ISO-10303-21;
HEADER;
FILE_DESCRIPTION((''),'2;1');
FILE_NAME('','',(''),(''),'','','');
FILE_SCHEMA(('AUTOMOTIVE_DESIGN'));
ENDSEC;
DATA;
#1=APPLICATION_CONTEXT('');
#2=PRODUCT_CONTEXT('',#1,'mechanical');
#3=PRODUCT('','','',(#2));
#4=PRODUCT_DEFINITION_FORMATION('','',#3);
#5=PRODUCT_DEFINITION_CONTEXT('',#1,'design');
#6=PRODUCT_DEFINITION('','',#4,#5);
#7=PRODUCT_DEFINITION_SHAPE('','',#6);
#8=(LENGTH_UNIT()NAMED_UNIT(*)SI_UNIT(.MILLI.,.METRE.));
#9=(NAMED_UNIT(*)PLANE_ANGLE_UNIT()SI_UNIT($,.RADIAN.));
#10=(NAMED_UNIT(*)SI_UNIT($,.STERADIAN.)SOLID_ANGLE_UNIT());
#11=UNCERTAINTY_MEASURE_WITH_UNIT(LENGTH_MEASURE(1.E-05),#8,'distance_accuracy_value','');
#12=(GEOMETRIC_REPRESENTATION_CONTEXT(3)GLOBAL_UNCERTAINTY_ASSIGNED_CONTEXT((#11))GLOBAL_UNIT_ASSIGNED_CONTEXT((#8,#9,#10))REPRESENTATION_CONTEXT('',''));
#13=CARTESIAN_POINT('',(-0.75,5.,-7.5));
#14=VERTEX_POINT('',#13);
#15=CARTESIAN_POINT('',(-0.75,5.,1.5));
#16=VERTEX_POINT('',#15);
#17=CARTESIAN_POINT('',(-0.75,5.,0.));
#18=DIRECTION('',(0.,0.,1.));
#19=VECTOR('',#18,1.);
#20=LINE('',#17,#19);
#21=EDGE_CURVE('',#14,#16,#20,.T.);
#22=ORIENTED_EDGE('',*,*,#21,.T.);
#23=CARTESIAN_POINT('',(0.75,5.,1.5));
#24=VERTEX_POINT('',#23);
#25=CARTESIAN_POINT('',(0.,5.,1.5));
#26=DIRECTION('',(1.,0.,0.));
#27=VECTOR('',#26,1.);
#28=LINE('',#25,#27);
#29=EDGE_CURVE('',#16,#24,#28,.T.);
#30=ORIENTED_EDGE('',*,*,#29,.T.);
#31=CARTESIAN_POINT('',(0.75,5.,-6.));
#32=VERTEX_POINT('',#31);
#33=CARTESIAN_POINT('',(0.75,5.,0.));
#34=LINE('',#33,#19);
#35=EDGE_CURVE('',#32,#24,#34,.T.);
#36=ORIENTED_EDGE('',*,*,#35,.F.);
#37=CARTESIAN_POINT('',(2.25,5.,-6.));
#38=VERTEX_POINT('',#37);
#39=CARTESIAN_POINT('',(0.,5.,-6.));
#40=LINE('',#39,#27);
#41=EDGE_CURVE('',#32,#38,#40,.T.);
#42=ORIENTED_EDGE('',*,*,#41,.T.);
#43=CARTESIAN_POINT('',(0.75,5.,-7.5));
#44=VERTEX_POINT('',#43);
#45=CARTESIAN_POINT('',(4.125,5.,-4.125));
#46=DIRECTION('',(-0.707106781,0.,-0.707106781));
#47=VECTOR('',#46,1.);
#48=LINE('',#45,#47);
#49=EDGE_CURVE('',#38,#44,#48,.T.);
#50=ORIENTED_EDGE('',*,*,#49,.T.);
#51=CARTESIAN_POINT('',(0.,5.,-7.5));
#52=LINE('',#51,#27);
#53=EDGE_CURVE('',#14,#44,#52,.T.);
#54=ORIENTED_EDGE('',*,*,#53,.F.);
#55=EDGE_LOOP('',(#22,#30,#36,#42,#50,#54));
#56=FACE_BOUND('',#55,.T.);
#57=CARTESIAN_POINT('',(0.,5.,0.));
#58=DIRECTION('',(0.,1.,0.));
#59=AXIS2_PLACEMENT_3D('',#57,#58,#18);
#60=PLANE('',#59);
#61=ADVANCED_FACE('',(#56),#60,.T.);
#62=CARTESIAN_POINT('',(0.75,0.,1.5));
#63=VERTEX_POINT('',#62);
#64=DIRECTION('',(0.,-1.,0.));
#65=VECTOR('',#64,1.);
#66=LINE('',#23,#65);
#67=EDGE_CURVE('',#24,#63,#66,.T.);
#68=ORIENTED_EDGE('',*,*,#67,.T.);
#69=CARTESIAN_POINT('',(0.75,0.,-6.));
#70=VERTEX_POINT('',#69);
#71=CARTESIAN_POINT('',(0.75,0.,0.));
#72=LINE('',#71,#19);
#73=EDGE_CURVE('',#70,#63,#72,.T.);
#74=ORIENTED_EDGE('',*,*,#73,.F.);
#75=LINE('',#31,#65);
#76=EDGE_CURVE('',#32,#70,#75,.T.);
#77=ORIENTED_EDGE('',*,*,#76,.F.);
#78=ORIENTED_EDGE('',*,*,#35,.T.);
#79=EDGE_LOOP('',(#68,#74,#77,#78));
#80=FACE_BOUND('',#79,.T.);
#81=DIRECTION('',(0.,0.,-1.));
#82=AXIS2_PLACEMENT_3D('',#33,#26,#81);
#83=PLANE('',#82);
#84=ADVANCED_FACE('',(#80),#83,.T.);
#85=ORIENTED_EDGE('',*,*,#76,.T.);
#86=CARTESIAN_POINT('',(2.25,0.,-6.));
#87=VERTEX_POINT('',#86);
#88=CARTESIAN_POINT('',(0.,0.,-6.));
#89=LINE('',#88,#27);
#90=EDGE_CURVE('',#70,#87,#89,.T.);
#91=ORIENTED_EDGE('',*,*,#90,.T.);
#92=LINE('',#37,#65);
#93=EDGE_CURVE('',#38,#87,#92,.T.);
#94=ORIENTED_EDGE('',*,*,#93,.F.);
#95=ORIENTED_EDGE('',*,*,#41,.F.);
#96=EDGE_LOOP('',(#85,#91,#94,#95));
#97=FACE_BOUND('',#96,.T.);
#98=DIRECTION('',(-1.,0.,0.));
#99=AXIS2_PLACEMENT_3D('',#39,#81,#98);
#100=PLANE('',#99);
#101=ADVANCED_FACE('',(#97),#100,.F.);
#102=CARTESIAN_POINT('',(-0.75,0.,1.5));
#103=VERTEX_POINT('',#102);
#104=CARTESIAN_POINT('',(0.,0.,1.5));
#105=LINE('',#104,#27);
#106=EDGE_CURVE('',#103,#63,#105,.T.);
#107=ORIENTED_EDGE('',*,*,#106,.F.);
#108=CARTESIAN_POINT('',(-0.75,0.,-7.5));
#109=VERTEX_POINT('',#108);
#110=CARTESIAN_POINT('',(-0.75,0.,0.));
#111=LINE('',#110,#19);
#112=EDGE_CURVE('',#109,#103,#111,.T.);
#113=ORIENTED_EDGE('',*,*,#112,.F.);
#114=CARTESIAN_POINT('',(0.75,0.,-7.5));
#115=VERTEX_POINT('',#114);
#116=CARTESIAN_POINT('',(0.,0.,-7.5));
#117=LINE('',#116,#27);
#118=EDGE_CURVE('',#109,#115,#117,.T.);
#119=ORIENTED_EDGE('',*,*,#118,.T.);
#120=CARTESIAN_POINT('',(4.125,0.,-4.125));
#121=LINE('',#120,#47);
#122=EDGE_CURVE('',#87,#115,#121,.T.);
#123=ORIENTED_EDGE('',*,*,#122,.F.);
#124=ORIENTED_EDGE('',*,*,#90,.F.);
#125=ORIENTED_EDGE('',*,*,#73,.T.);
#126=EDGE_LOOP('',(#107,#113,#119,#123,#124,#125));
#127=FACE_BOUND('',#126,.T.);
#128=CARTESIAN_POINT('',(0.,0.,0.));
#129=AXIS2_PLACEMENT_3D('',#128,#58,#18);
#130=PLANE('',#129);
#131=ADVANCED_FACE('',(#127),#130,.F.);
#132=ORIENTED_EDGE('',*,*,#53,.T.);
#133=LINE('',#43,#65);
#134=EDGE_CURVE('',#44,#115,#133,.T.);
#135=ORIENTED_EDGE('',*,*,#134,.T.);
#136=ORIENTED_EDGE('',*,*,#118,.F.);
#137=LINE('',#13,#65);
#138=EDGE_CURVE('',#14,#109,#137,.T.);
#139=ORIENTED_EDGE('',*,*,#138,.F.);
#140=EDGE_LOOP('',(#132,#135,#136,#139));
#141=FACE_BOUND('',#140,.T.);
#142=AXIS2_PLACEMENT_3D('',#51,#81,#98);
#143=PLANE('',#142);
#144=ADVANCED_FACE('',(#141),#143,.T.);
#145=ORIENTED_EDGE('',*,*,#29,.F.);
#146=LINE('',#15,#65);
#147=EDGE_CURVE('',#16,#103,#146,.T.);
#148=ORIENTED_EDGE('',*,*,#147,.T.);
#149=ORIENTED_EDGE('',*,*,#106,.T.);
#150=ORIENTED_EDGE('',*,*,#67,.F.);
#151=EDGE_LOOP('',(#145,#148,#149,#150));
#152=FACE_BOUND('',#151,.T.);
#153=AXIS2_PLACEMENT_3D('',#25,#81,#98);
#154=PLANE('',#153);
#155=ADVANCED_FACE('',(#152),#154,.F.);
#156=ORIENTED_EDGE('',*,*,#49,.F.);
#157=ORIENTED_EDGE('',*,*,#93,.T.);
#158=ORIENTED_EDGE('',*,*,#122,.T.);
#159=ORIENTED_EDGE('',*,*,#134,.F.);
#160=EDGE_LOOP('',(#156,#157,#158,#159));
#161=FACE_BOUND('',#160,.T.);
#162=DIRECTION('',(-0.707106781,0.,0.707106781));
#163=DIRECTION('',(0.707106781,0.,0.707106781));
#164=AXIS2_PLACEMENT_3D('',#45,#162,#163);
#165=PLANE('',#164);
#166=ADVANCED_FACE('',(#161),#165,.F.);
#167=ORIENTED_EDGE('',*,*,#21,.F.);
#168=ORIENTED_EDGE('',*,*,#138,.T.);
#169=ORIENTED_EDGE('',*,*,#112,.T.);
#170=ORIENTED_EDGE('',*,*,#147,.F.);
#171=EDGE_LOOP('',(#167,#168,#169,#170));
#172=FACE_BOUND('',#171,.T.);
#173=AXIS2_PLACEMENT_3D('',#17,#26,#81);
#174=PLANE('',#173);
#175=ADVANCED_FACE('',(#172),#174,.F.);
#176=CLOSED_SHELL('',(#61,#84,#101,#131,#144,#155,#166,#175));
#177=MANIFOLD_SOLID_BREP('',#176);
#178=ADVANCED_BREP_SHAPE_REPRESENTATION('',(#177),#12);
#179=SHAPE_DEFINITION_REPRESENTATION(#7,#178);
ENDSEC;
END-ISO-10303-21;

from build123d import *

# Parameters (mm, degrees)
SKETCH1_W           = 1.5
SKETCH1_H           = 3
BOSS_EXTRUDE1_DEPTH = 5


with BuildPart() as part:
    # Sketch1 → Boss-Extrude1 (new body)
    with BuildSketch(Plane(origin=(0, 0, 0), x_dir=(1, 0, 0), z_dir=(0, 1, 0))):
        Rectangle(SKETCH1_W, SKETCH1_H)
        Polygon((0.75, 6), (0.75, 1.5), (-0.75, 1.5), (-0.75, 7.5), (0.75, 7.5), (2.25, 6), align=None)
    extrude(amount=BOSS_EXTRUDE1_DEPTH)


solid = part.part
